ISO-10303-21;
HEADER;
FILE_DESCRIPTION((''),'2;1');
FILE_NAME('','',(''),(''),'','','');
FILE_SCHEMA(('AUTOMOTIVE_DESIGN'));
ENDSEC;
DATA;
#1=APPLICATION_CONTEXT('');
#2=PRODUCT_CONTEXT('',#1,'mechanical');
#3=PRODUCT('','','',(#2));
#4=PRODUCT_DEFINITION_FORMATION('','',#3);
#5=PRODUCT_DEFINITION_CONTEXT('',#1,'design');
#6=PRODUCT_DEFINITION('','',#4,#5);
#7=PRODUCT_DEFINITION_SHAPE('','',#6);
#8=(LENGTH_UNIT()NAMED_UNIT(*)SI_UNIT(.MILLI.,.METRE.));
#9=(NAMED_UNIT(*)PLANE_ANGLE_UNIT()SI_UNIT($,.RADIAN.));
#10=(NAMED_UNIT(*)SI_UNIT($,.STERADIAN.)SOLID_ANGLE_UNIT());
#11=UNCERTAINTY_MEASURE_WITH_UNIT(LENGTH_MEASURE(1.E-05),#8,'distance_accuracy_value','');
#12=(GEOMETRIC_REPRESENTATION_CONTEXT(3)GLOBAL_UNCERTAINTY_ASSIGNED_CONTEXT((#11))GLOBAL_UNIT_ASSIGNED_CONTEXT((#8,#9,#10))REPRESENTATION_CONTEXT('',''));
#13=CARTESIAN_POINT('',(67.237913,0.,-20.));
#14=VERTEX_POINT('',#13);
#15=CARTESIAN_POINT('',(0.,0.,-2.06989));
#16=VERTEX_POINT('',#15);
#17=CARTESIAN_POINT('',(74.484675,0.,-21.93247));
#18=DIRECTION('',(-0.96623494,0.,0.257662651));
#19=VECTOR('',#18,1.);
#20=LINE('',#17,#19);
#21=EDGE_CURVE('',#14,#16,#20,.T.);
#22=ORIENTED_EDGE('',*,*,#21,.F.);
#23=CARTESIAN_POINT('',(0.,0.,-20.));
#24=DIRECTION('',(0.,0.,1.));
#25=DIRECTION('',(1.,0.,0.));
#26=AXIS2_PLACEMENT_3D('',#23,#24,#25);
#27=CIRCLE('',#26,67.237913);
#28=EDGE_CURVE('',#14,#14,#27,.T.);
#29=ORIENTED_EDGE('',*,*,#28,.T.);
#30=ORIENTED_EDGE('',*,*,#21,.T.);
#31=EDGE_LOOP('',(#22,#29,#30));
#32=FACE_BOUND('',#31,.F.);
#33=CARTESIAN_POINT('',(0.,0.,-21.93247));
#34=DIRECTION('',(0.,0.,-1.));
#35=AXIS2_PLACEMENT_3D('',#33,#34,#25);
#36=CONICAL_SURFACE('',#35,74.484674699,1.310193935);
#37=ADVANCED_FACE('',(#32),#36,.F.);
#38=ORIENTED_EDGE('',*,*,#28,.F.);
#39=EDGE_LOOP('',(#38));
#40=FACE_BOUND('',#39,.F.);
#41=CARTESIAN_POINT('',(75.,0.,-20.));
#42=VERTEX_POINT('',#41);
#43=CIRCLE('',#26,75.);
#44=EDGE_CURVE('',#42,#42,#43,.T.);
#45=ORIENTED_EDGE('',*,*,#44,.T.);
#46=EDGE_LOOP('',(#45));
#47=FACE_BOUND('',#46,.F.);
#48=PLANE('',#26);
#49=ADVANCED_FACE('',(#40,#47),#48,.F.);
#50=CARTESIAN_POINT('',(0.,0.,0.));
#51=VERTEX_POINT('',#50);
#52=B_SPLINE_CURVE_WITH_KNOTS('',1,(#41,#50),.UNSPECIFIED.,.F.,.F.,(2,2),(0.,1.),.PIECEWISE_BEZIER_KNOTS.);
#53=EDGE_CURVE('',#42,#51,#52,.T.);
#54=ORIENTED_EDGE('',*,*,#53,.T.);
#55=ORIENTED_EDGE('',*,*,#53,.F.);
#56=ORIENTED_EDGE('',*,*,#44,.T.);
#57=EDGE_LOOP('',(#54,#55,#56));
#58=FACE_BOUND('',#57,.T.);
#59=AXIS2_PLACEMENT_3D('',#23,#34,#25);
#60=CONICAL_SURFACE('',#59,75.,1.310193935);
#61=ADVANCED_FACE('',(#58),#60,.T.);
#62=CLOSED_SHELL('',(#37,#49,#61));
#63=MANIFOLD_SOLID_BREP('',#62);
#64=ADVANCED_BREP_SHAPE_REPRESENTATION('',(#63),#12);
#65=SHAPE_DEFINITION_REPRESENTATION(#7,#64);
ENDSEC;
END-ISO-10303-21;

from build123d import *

# Parameters (mm, degrees)
F1_R = 75
F3_T = -2


with BuildPart() as f2:
    # F1 (on offset) → F2 section 0
    with BuildSketch(Plane.XY.offset(-20), mode=Mode.PRIVATE) as f2_s0:
        Circle(F1_R)
    loft([f2_s0.sketch, Vertex(0, 0, 0)])

    # F3
    f3_openings = [f2.faces().sort_by_distance(p)[0] for p in [
        (0, 0, -20),
    ]]
    offset(amount=F3_T, openings=f3_openings)


solid = f2.part
